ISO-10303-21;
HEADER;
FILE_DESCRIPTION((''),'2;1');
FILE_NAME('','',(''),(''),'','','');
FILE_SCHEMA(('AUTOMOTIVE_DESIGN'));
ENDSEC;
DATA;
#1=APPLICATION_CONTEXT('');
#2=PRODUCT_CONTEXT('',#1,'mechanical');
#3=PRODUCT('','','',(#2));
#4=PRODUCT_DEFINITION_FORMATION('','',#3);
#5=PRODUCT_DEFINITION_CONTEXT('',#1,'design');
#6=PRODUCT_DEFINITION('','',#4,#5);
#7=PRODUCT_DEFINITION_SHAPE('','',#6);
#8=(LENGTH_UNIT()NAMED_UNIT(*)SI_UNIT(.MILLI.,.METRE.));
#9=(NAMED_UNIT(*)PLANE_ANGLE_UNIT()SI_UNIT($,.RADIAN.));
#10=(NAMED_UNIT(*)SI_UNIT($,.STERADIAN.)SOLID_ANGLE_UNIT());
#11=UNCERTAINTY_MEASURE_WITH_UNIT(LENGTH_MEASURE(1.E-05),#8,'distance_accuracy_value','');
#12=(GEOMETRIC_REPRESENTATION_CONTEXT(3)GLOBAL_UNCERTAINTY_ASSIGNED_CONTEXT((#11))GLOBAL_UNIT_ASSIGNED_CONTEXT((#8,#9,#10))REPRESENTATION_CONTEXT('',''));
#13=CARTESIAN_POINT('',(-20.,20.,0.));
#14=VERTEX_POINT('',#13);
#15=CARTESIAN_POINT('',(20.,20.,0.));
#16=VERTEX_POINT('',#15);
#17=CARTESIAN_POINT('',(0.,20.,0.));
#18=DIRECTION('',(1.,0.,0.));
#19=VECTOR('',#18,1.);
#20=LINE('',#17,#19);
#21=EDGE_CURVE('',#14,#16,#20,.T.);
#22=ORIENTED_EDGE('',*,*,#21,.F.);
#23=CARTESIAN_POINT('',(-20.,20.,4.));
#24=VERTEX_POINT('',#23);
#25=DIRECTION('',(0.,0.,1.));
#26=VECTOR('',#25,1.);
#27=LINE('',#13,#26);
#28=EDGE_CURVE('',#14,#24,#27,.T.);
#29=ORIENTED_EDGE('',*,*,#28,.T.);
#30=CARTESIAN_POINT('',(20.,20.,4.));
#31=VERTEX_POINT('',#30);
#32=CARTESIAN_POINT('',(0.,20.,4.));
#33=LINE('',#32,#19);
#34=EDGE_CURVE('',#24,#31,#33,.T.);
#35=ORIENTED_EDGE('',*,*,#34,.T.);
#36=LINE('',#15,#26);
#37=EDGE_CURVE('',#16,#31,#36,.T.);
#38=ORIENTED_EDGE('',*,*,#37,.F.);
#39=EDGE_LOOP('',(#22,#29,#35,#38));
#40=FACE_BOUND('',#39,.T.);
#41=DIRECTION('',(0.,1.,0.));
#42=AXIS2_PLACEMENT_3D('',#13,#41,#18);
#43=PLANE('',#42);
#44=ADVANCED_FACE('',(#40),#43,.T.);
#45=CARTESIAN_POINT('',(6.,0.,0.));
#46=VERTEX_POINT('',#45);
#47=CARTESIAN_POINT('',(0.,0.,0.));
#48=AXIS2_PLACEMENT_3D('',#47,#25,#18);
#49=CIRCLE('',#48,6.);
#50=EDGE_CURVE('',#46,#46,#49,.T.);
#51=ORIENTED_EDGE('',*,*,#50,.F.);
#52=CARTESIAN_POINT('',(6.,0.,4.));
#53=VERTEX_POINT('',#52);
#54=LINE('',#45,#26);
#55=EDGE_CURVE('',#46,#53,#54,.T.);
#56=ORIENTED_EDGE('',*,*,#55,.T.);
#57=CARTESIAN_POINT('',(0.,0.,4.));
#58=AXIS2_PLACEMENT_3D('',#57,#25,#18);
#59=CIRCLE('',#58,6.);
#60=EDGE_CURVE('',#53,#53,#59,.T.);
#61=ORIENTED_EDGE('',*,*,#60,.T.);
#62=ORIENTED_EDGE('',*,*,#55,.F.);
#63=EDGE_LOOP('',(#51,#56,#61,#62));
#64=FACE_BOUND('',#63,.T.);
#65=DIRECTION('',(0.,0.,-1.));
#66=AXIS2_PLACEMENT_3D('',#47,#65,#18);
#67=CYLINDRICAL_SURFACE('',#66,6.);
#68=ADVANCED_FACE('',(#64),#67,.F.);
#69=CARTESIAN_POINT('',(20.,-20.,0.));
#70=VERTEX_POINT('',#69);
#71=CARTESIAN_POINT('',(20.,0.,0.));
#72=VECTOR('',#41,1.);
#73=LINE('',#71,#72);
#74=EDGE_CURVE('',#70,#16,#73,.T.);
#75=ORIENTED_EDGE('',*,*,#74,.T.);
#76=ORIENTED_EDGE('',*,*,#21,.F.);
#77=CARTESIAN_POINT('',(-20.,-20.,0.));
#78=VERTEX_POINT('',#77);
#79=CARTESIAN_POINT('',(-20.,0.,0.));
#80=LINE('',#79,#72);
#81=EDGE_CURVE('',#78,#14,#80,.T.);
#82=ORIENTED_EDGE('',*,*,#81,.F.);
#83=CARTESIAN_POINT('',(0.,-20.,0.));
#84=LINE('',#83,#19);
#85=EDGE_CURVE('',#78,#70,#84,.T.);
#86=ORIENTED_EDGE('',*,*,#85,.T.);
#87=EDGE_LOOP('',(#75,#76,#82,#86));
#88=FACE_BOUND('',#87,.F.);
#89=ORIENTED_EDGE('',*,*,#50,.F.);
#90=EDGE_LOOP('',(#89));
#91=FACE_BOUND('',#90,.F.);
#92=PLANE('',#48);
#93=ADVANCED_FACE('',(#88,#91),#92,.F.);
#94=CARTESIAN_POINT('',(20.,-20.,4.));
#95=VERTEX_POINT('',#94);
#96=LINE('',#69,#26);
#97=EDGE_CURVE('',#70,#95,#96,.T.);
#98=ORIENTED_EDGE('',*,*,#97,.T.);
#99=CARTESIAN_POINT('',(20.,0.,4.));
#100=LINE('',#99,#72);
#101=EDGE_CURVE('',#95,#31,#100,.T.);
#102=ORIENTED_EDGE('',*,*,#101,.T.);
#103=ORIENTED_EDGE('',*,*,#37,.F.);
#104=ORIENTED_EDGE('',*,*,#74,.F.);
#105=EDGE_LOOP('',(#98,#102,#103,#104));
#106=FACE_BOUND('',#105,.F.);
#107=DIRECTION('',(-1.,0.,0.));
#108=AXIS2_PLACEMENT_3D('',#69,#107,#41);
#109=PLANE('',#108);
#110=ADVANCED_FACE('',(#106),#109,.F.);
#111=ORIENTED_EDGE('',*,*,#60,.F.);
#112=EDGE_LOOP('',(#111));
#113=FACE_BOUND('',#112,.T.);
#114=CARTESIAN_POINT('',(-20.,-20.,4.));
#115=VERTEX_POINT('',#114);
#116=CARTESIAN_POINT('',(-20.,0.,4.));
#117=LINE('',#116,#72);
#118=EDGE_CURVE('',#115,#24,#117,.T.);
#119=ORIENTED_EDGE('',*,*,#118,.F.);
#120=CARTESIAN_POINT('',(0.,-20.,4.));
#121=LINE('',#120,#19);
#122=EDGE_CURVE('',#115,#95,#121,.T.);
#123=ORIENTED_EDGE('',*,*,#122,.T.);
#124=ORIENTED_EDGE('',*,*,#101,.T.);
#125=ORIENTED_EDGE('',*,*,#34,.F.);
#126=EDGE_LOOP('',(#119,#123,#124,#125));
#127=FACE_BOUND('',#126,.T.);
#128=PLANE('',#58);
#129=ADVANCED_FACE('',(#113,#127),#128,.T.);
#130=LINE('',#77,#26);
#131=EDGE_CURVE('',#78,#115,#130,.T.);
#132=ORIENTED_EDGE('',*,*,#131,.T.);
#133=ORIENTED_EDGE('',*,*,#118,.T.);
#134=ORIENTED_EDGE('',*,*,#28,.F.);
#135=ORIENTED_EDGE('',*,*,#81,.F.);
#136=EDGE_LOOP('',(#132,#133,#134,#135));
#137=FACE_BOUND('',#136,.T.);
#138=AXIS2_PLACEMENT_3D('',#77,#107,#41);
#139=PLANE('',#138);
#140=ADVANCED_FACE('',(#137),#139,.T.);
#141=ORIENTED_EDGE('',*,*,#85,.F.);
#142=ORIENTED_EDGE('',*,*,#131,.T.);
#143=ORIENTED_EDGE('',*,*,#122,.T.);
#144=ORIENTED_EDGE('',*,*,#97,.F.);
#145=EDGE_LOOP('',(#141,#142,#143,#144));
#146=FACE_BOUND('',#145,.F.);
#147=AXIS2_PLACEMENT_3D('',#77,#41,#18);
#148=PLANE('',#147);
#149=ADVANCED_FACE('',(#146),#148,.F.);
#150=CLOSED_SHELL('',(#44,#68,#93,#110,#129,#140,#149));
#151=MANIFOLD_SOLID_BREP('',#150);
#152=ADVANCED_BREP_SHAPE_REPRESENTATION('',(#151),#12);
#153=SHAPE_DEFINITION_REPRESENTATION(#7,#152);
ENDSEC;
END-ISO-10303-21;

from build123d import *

# Parameters (mm, degrees)
SKETCH_W      = 40
SKETCH_H      = 40
SKETCH_R      = 6
EXTRUDE_DEPTH = 4


with BuildPart() as part:
    # Sketch → Extrude (new body)
    with BuildSketch(Plane.XY):
        Rectangle(SKETCH_W, SKETCH_H)
        Circle(SKETCH_R, mode=Mode.SUBTRACT)
    extrude(amount=EXTRUDE_DEPTH)


solid = part.part
